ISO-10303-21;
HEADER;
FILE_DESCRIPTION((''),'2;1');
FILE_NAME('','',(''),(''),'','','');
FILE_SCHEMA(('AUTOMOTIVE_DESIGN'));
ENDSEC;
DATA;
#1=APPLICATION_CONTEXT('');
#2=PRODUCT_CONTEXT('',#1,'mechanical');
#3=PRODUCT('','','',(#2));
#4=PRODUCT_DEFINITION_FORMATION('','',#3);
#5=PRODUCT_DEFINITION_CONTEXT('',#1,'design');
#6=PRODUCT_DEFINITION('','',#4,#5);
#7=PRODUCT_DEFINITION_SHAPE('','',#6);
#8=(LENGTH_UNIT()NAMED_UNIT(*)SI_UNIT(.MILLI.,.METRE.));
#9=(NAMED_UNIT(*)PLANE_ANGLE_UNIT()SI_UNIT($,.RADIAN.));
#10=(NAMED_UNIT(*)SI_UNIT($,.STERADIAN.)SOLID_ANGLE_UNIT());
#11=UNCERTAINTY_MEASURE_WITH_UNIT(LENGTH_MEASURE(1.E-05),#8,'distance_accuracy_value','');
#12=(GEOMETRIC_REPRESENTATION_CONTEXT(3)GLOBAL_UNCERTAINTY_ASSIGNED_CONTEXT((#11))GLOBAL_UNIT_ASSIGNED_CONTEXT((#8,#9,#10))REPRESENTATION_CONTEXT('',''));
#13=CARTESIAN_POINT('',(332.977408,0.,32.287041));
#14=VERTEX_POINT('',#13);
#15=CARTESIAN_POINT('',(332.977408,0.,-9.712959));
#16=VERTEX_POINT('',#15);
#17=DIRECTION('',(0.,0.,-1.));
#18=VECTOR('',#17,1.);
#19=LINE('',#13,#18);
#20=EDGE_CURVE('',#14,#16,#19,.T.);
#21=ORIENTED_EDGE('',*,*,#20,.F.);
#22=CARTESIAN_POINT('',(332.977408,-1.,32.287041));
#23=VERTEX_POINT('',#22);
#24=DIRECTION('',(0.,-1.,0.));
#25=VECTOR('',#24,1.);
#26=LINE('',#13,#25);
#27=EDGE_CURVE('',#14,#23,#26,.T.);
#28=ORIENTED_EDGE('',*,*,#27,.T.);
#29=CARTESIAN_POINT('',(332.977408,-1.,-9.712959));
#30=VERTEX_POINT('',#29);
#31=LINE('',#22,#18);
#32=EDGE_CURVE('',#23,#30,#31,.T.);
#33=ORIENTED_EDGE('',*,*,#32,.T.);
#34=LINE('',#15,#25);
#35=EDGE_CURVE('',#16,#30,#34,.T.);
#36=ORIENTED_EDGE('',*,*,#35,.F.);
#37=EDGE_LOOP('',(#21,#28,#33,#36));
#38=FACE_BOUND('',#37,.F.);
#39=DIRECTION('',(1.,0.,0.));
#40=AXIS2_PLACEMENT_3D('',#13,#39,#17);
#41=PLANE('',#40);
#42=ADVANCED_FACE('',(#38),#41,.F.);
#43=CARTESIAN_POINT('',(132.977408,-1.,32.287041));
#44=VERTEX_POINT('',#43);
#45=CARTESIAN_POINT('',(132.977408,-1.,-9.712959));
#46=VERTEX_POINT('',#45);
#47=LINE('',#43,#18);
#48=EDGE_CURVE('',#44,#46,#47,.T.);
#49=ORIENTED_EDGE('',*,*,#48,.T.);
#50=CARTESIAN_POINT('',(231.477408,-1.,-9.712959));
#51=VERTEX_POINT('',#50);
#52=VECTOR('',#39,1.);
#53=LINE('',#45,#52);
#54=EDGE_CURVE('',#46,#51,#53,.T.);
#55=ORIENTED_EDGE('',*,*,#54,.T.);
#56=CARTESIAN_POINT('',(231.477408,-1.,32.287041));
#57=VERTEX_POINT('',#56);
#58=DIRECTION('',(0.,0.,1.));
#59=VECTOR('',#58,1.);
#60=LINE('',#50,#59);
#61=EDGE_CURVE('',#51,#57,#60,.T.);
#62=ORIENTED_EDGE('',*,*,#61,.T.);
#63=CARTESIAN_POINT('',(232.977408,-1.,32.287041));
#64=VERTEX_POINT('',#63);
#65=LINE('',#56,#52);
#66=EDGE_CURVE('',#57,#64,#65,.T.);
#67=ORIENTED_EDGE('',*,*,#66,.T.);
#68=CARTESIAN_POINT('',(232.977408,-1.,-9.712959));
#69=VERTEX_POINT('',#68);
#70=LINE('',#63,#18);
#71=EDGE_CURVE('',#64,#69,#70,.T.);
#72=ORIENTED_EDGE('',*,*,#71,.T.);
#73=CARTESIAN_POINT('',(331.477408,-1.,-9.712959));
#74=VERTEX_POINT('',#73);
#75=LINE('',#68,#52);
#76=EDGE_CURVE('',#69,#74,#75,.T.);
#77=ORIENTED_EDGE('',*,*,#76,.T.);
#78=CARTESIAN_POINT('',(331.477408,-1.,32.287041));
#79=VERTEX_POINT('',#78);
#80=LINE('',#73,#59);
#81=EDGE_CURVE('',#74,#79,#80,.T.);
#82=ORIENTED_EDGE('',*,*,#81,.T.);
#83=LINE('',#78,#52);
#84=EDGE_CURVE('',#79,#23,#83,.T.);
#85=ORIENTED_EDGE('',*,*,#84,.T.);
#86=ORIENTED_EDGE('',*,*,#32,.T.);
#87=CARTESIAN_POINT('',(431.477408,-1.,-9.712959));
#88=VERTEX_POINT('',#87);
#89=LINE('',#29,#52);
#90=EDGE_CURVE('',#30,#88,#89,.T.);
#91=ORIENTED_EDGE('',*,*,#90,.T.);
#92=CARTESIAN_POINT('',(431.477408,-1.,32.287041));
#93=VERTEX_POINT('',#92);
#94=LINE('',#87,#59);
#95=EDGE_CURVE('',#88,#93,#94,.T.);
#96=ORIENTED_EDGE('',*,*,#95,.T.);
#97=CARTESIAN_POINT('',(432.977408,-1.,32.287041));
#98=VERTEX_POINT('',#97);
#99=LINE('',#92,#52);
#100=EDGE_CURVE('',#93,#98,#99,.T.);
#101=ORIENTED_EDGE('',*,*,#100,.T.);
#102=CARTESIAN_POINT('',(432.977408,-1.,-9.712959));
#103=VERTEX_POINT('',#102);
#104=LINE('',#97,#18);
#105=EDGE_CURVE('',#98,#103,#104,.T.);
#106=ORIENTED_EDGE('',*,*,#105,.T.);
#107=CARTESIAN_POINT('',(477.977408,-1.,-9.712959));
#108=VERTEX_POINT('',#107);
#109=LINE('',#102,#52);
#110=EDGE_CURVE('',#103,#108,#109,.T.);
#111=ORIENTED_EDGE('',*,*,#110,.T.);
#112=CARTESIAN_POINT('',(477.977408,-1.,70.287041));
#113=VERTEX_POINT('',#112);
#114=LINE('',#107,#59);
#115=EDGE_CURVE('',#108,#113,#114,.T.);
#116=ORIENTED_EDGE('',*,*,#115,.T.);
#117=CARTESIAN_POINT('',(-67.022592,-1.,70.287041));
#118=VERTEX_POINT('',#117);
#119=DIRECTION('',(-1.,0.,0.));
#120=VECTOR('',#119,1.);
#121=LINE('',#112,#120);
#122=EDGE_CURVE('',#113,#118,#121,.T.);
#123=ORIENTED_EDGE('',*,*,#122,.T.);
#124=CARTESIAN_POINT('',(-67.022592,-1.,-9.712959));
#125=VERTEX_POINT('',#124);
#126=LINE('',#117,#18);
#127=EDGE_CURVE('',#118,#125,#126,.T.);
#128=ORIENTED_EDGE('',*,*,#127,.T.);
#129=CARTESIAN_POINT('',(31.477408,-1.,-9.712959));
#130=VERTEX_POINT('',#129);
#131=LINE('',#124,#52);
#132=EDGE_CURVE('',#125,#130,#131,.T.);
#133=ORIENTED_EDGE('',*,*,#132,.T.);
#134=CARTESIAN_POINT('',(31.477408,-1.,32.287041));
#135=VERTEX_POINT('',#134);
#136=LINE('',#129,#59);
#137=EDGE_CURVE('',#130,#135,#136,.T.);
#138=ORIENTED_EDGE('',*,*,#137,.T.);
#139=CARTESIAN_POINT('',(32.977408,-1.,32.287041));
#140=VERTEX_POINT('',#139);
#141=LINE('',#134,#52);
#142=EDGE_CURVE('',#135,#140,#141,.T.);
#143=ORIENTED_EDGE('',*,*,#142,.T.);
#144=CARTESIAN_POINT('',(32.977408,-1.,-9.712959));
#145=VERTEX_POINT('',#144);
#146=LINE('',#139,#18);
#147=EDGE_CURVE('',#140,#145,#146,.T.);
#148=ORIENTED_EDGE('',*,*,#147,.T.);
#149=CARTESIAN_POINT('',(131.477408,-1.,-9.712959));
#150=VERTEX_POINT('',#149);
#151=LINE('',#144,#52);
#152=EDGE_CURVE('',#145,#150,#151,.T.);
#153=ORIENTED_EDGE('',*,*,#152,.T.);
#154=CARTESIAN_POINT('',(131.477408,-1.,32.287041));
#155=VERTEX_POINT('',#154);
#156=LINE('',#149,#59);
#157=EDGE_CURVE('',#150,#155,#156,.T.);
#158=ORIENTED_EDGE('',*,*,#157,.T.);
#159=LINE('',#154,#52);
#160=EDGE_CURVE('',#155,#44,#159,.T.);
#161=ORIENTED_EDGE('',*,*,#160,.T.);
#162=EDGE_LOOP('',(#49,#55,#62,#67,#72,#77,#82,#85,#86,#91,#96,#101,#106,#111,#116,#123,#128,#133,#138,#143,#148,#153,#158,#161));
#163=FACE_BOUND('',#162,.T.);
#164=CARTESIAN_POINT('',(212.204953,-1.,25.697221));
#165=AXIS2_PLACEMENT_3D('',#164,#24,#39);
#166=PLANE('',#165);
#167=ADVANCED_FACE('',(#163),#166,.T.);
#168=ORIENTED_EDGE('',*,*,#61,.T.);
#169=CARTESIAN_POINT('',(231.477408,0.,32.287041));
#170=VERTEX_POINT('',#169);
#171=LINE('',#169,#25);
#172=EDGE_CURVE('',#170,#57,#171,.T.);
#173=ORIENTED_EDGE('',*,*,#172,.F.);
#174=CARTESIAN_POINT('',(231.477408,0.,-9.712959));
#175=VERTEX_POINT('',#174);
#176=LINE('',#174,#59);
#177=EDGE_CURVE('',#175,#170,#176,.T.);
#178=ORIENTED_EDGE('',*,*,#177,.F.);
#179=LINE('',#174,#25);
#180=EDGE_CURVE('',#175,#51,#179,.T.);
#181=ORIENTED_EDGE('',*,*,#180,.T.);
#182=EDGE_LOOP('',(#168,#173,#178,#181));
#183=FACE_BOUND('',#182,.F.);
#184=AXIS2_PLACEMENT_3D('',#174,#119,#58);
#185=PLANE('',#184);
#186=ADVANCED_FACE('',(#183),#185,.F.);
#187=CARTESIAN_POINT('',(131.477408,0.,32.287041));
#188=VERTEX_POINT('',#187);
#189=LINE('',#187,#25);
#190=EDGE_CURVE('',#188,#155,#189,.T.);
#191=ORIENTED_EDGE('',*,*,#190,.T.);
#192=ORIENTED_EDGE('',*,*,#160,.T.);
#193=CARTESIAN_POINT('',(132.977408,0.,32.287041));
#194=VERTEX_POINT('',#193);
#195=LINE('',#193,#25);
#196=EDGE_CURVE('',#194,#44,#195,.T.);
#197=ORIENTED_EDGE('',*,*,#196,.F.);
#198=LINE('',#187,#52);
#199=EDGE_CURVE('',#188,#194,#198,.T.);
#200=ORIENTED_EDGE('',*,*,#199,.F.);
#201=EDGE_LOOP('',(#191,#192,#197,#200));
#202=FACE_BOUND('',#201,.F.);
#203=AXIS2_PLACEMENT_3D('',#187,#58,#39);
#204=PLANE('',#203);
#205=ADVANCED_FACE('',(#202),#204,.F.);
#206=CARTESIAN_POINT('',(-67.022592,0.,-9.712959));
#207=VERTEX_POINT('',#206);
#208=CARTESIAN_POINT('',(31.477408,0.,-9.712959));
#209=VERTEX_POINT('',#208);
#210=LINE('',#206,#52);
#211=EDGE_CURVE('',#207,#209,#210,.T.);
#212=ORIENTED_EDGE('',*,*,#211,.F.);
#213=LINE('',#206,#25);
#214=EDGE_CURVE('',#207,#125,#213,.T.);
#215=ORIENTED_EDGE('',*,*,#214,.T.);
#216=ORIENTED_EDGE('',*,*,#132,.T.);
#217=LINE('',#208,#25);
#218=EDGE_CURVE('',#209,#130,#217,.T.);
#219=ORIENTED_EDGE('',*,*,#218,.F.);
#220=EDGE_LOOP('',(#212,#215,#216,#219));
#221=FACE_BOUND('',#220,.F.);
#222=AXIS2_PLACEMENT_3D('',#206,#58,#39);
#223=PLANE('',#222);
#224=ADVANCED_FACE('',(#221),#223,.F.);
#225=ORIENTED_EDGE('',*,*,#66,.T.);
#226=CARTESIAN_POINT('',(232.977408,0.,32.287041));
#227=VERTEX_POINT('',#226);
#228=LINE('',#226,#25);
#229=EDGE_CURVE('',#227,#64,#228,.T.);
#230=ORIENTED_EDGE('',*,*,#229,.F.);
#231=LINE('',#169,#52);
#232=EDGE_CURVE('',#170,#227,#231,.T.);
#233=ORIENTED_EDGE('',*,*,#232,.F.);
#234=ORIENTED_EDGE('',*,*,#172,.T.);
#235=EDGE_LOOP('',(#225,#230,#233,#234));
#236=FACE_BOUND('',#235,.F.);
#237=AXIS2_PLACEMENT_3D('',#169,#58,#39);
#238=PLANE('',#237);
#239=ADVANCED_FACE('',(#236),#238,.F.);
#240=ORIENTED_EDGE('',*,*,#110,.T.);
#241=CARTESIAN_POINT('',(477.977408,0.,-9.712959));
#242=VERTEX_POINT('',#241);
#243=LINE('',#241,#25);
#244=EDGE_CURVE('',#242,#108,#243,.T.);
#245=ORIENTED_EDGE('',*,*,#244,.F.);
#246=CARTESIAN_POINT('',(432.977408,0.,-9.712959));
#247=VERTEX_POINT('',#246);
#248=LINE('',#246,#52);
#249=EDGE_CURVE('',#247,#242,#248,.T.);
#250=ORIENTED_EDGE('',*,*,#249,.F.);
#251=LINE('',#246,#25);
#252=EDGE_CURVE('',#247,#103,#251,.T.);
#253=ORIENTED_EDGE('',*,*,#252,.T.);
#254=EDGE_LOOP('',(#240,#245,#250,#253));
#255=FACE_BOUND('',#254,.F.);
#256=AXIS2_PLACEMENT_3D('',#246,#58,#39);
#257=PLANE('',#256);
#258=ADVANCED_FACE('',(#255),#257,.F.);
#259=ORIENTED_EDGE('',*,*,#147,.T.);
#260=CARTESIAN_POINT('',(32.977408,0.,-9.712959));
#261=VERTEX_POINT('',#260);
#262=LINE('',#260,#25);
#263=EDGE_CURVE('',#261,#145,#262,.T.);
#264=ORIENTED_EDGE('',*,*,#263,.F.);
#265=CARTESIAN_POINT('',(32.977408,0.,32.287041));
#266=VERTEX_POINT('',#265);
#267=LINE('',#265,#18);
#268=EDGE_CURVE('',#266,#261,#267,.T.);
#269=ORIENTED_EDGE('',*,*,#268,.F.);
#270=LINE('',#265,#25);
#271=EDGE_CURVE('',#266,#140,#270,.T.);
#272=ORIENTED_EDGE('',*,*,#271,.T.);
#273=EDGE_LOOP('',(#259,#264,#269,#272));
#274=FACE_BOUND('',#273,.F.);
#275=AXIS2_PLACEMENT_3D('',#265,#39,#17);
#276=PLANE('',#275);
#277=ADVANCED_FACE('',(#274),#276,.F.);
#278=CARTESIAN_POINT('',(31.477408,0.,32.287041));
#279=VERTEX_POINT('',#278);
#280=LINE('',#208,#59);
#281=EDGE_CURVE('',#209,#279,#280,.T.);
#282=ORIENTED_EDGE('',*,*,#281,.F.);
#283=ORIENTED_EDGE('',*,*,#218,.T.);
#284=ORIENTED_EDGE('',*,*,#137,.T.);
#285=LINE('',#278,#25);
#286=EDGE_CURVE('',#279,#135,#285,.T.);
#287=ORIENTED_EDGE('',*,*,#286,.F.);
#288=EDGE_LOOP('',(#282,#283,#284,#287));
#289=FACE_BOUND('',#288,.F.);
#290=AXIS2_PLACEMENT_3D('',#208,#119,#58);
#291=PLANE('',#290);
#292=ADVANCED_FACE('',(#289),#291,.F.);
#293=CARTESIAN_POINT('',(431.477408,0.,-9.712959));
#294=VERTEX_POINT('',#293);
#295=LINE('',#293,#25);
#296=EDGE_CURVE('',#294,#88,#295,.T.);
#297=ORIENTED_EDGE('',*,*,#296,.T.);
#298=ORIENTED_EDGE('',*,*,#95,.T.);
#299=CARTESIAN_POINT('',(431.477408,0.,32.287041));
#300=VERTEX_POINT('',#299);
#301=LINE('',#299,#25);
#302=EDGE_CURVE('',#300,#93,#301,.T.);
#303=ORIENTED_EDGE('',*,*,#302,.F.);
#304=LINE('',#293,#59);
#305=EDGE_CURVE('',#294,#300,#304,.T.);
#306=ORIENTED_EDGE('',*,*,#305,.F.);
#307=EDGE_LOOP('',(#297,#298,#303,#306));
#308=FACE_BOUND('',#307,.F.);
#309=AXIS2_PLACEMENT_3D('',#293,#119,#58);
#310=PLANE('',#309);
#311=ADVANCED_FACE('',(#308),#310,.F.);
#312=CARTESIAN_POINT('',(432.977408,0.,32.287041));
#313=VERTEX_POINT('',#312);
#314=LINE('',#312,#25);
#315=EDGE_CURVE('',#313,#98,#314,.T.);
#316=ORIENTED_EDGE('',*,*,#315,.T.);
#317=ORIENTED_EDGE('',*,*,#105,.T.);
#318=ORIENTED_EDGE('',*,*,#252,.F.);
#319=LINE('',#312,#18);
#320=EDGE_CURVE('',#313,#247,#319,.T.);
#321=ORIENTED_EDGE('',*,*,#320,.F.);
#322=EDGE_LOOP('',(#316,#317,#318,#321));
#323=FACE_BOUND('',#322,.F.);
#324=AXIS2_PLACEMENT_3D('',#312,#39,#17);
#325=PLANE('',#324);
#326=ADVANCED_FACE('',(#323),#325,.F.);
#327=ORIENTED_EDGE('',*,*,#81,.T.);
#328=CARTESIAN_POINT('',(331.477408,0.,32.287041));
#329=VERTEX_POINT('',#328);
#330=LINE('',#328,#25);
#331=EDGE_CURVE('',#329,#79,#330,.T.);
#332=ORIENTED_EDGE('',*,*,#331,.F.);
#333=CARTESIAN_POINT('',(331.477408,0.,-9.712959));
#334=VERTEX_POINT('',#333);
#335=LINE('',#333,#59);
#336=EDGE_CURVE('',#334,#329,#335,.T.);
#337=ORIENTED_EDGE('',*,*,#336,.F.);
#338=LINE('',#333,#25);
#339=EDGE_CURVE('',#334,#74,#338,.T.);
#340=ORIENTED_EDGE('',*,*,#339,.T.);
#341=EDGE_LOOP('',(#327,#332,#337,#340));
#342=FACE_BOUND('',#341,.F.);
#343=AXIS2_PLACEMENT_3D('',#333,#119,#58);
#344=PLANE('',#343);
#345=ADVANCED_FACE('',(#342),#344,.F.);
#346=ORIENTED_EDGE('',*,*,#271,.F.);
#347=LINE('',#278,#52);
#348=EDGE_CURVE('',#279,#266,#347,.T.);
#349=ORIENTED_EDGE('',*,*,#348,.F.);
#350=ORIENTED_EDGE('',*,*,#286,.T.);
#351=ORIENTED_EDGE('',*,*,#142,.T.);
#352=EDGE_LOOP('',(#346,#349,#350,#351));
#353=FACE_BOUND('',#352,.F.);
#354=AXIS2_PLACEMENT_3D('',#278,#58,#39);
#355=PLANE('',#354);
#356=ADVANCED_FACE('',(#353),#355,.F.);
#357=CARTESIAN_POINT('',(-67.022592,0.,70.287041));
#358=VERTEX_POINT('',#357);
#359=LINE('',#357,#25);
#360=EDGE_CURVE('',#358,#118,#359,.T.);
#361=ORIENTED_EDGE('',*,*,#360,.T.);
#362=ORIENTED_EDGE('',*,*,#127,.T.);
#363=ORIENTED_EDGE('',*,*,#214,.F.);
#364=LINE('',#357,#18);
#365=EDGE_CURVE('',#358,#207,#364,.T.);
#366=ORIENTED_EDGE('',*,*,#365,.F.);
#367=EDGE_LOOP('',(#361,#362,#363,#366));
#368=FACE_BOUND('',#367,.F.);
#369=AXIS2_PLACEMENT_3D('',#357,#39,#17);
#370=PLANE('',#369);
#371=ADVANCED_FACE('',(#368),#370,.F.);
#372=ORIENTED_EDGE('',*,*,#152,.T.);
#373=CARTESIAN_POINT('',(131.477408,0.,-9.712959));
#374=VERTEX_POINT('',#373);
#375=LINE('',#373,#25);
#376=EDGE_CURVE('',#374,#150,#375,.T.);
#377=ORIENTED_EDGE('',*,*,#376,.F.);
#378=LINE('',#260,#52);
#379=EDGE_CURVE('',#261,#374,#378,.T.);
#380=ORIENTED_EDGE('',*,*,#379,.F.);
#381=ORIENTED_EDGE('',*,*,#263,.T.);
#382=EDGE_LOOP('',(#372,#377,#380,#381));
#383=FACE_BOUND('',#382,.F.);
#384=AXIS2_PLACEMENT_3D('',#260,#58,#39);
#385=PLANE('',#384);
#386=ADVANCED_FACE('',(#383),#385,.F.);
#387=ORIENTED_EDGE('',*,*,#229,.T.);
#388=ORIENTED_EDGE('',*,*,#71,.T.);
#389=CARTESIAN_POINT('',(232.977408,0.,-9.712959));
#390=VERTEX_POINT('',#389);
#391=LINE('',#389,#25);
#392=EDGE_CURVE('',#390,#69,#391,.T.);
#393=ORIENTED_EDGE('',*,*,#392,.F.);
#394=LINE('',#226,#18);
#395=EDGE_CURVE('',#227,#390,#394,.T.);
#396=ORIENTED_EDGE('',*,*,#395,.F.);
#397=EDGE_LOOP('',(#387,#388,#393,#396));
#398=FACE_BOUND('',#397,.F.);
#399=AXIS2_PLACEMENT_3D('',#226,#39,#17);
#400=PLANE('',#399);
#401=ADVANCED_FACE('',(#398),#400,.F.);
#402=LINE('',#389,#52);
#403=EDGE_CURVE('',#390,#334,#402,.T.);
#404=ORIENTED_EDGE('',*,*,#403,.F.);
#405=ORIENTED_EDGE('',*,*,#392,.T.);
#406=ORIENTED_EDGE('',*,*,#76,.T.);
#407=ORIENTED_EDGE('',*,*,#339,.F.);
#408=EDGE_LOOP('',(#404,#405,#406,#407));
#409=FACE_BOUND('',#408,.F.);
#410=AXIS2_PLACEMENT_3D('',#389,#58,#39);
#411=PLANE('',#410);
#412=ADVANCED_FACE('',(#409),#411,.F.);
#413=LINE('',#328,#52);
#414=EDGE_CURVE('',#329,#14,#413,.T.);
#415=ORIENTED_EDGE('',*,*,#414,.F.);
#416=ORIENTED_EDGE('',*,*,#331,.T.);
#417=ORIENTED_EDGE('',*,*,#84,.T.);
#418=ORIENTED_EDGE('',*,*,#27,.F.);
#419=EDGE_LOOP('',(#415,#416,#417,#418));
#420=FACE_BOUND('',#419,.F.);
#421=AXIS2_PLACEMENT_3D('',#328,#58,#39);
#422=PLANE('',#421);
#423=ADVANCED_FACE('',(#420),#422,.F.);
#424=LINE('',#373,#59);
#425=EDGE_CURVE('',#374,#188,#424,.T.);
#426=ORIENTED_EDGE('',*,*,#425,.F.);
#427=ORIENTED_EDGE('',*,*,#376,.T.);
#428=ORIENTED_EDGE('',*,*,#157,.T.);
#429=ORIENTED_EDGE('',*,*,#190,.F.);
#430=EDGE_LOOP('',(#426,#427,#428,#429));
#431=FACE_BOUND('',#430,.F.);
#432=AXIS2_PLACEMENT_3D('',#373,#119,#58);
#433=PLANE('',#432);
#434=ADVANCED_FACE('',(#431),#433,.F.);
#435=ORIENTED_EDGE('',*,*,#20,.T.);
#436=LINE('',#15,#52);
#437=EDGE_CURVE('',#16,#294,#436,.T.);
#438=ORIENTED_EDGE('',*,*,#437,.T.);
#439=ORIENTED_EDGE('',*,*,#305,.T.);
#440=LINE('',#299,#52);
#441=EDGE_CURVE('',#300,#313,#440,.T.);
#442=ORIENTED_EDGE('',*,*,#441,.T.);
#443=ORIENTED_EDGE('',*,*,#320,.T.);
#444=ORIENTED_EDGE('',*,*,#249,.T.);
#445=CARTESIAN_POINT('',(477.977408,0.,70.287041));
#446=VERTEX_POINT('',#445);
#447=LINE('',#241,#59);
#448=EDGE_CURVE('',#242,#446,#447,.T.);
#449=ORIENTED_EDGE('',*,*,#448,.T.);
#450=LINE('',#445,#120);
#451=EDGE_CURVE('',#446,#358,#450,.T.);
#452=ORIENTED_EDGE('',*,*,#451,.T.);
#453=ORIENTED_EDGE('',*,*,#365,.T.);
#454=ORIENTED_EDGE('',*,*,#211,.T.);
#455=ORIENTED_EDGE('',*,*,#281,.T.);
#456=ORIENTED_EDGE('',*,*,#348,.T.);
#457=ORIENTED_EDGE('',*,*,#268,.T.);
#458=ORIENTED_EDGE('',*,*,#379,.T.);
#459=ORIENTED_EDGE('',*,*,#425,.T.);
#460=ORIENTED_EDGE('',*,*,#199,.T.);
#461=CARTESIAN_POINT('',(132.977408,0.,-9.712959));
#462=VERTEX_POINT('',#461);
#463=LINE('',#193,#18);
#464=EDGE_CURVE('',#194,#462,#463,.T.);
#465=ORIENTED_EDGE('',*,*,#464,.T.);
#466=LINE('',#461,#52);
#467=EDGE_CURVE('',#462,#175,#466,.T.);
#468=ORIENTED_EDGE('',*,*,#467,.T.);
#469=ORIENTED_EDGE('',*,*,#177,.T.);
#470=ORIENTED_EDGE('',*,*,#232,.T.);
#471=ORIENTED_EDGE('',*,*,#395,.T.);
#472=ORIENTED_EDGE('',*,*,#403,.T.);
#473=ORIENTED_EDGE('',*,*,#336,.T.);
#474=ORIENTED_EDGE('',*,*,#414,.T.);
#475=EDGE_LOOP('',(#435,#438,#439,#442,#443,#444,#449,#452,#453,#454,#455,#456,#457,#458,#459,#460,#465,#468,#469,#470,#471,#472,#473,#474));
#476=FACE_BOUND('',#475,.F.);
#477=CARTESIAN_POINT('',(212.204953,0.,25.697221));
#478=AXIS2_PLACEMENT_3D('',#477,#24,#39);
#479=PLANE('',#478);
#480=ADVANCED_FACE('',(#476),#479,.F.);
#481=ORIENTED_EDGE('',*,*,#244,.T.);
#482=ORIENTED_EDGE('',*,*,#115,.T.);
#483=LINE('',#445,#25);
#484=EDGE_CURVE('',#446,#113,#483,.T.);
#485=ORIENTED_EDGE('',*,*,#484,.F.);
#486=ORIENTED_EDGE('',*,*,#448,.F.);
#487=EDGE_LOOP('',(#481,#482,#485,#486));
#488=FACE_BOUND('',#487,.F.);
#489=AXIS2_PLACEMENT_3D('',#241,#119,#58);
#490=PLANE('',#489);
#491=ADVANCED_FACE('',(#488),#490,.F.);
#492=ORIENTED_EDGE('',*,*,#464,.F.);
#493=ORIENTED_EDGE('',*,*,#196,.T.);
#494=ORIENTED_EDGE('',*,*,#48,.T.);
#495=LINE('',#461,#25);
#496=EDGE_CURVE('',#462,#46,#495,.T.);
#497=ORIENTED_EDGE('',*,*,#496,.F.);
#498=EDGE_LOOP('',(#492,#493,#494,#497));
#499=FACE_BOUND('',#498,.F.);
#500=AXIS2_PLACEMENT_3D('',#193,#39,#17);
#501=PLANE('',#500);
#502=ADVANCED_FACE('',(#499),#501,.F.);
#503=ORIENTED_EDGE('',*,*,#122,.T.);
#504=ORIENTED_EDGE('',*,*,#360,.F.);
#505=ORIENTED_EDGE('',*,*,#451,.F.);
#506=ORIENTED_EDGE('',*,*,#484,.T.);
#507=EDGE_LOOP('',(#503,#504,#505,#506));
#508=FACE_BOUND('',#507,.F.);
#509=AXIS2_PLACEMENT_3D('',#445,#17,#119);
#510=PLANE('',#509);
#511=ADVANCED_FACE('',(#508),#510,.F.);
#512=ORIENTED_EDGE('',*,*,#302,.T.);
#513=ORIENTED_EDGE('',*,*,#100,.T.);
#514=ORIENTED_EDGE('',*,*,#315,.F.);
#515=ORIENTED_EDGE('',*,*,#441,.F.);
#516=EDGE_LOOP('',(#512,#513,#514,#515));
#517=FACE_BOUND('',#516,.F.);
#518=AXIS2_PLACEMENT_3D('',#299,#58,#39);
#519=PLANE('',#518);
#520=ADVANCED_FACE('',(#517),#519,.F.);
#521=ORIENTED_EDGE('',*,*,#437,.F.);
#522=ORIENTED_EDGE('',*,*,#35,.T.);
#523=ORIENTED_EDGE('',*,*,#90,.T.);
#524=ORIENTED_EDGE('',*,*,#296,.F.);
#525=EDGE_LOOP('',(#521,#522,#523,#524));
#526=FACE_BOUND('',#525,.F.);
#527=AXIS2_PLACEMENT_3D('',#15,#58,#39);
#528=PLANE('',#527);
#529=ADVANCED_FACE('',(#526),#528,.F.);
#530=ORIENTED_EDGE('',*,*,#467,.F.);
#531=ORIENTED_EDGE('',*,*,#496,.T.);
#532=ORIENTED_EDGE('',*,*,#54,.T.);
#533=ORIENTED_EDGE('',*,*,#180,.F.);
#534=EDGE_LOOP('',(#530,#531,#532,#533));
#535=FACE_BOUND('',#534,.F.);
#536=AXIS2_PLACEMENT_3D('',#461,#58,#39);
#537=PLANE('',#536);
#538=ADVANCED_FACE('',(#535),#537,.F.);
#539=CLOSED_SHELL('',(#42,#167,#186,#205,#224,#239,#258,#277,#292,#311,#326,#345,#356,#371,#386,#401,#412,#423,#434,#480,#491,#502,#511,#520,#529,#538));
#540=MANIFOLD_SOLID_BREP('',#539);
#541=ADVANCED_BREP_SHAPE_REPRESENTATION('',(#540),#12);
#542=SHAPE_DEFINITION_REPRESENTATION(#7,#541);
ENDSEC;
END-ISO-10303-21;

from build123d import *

# Parameters (mm, degrees)
F1_DEPTH = 1


with BuildPart() as f1:
    # F0 (on Front) → F1 (new body)
    with BuildSketch(Plane.XZ):
        Polygon((-67.022592, 70.287041), (-67.022592, -9.712959), (31.477408, -9.712959), (31.477408, 32.287041), (32.977408, 32.287041), (32.977408, -9.712959), (131.477408, -9.712959), (131.477408, 32.287041), (132.977408, 32.287041), (132.977408, -9.712959), (231.477408, -9.712959), (231.477408, 32.287041), (232.977408, 32.287041), (232.977408, -9.712959), (331.477408, -9.712959), (331.477408, 32.287041), (332.977408, 32.287041), (332.977408, -9.712959), (431.477408, -9.712959), (431.477408, 32.287041), (432.977408, 32.287041), (432.977408, -9.712959), (477.977408, -9.712959), (477.977408, 70.287041), align=None)
    extrude(amount=F1_DEPTH)


solid = f1.part
